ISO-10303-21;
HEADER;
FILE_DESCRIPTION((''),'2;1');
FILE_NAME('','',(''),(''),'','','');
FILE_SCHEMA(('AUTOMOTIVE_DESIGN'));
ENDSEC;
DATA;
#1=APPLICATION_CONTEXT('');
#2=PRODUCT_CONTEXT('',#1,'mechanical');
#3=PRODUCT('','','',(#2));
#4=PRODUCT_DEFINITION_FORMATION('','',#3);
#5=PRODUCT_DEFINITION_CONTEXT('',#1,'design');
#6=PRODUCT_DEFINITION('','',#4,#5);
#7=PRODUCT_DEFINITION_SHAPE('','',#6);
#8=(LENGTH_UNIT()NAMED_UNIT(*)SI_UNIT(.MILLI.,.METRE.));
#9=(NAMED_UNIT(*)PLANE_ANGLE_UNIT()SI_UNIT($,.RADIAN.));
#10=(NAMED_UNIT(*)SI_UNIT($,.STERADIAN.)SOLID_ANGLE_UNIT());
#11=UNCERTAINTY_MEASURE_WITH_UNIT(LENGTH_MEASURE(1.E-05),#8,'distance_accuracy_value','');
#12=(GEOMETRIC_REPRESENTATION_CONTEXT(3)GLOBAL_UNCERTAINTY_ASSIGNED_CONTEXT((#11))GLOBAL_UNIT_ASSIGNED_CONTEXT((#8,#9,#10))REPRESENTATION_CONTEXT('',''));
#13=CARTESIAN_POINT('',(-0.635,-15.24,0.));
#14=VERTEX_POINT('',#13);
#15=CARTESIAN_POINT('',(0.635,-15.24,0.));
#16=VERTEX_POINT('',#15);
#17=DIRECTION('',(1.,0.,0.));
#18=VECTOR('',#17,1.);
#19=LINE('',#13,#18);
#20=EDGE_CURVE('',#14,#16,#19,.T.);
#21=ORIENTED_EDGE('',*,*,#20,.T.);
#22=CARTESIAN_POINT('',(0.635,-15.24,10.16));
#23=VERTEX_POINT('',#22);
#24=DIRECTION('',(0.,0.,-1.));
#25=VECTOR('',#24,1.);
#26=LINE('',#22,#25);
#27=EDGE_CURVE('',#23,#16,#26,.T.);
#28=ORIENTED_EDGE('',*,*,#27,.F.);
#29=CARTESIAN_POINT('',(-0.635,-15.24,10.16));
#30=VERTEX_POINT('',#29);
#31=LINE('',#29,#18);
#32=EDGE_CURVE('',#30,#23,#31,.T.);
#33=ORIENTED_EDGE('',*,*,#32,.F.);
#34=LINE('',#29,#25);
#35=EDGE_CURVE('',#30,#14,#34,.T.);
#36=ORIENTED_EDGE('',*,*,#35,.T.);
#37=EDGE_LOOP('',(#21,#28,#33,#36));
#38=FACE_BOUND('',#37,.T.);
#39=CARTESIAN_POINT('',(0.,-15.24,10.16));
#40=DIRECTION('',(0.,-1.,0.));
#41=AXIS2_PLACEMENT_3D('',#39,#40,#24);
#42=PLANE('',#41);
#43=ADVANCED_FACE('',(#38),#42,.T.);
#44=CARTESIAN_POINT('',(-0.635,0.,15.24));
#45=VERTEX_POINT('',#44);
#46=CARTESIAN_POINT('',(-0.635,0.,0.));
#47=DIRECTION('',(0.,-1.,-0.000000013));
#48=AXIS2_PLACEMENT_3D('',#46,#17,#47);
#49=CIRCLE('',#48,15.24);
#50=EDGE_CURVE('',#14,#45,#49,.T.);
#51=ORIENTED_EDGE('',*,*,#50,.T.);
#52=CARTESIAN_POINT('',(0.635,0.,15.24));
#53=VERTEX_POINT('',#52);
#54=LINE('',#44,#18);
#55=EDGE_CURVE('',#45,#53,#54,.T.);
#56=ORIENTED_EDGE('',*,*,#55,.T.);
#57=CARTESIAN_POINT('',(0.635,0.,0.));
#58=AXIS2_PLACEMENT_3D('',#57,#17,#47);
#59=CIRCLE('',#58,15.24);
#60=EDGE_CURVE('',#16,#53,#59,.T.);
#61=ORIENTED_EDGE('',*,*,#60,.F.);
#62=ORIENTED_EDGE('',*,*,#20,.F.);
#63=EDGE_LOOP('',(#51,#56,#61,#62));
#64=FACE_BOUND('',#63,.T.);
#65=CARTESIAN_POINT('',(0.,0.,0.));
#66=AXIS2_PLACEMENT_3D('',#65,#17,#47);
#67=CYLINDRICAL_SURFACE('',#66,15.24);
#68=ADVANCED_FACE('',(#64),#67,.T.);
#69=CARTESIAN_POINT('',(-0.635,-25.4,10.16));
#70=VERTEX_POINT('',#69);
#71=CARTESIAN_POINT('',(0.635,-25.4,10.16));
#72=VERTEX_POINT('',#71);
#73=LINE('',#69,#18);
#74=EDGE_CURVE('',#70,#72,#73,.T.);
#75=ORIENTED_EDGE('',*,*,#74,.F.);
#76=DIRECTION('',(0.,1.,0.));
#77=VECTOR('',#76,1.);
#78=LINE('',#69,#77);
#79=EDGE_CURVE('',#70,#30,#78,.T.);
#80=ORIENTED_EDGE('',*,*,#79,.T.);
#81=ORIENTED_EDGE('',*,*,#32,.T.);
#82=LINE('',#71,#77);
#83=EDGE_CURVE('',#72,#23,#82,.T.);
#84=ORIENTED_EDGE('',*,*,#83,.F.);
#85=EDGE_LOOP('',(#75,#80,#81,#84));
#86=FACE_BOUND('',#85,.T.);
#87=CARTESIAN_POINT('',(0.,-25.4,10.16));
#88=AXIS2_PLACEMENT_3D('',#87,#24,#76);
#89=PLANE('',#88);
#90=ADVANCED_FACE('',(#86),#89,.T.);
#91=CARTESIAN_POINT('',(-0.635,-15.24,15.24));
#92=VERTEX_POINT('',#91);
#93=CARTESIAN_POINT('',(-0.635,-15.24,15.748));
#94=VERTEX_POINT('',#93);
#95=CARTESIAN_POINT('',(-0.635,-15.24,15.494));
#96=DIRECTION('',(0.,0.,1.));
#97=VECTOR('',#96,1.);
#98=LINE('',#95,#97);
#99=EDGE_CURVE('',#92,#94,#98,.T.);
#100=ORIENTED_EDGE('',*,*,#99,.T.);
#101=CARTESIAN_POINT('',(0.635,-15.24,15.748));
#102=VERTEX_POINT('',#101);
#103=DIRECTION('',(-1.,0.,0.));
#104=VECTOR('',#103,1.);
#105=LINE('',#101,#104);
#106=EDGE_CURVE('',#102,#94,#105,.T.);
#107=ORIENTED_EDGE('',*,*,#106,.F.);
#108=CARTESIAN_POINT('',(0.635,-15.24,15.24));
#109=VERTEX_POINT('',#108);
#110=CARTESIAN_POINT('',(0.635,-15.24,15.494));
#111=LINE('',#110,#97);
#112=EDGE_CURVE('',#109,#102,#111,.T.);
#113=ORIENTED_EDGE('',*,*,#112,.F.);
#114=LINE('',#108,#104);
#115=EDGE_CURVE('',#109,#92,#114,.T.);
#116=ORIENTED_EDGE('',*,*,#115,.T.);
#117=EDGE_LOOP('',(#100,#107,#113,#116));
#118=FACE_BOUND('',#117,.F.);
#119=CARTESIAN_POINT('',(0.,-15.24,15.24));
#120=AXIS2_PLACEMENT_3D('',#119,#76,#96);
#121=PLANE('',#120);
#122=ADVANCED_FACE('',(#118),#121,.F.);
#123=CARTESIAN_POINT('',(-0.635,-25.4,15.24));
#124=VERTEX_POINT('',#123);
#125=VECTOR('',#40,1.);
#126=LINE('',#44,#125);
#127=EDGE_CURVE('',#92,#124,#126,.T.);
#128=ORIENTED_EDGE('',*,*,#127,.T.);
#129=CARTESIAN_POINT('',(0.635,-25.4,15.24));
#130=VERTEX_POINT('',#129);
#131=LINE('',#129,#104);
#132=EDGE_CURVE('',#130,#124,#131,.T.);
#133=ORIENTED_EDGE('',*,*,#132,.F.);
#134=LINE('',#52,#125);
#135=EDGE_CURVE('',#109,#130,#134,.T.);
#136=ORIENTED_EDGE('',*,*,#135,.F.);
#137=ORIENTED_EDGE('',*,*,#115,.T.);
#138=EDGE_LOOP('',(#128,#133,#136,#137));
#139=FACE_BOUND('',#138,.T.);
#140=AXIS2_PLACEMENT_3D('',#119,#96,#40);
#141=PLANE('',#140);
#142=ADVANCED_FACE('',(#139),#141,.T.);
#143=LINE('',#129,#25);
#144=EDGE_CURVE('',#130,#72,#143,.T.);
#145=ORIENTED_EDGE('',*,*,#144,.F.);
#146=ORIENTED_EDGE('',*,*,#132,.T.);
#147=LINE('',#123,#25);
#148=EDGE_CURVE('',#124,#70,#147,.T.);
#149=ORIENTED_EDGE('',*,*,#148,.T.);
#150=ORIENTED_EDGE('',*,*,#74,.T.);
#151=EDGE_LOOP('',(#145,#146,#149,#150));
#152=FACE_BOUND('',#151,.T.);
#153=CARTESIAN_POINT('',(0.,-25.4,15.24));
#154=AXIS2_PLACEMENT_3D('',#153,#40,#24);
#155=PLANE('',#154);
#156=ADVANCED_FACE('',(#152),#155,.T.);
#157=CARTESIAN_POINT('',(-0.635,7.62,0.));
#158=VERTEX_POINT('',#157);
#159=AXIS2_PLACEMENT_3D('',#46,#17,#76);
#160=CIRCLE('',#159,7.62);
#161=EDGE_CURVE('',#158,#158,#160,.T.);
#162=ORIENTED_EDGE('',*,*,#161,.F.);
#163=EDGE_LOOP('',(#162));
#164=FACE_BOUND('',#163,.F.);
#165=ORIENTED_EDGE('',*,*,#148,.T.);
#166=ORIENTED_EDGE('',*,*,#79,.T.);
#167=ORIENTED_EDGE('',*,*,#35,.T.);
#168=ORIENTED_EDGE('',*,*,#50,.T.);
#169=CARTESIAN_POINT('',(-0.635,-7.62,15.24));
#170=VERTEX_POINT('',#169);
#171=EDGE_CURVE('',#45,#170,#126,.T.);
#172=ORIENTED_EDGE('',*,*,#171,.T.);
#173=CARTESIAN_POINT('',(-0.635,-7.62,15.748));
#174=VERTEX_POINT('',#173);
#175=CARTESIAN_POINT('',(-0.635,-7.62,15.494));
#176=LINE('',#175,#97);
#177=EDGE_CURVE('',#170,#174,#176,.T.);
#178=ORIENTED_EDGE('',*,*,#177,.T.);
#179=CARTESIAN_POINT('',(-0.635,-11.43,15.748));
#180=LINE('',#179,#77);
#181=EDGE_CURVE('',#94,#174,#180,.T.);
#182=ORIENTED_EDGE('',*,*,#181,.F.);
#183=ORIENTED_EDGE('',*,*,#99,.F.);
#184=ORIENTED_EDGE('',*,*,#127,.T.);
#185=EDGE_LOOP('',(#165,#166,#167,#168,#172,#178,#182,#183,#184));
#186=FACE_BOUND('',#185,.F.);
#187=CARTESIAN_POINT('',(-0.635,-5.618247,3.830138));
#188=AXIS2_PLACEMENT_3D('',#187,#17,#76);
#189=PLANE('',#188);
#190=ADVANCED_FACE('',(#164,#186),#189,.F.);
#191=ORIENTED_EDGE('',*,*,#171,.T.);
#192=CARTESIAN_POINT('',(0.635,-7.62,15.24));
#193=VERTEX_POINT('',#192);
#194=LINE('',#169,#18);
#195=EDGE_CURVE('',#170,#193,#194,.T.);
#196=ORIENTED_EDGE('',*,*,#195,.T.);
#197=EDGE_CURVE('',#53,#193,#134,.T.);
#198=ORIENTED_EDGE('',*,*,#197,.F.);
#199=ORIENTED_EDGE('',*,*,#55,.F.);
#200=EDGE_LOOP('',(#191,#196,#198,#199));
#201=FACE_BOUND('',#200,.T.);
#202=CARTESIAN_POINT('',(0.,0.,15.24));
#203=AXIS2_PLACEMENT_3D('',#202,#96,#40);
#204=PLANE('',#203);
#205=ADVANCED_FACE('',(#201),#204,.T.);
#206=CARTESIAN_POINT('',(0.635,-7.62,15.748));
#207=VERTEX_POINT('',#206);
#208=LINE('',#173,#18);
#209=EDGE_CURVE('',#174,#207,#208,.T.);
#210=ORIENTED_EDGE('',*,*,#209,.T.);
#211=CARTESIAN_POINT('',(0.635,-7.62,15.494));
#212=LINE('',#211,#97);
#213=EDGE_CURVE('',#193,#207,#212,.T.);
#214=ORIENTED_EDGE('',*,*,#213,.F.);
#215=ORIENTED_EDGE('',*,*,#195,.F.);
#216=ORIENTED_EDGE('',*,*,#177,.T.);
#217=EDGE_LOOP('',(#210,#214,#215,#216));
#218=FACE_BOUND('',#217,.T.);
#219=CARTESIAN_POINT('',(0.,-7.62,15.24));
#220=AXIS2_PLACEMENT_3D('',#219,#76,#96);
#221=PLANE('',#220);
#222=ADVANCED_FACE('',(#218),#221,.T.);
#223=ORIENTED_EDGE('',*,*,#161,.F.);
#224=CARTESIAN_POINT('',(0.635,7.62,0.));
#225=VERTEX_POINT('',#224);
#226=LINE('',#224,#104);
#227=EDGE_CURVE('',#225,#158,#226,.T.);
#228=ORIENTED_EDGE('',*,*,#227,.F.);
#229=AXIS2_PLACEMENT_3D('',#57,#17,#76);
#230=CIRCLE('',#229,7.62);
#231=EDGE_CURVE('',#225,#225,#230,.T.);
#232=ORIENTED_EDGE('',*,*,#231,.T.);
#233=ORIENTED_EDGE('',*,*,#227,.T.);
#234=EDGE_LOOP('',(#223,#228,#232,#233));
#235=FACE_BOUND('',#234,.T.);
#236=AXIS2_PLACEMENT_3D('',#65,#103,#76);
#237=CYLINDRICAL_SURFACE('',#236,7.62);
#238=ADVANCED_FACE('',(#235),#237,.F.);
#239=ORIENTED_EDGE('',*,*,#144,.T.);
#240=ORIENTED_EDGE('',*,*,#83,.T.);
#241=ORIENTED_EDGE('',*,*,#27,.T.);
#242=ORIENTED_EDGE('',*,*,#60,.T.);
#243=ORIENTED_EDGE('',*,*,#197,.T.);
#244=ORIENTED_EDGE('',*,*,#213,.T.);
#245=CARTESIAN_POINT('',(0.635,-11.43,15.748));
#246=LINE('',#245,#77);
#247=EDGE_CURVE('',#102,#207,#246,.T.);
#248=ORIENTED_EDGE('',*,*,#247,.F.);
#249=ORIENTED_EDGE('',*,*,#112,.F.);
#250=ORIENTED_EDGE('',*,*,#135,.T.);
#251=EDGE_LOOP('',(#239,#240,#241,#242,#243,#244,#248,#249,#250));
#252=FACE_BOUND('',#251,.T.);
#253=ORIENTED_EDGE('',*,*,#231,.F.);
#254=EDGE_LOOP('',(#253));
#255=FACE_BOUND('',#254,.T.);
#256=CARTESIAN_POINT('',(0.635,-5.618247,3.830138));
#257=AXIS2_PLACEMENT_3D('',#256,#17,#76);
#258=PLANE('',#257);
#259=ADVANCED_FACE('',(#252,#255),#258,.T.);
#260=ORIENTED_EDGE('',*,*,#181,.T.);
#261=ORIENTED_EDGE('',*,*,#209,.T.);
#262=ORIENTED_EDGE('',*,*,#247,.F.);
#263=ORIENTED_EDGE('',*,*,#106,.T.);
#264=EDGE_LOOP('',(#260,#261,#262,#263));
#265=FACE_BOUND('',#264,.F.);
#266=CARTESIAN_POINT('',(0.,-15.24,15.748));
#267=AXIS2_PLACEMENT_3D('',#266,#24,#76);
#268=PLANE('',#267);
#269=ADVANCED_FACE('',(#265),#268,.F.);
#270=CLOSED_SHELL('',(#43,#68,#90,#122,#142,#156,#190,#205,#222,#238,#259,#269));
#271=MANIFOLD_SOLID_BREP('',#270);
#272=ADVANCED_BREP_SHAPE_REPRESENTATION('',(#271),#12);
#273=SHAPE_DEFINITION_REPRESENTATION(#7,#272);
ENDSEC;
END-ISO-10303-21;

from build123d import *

# Parameters (mm, degrees)
F0_R     = 7.62
F0_W     = 7.62
F0_H     = 0.508
F1_DEPTH = 0.635


with BuildPart() as f1:
    # F0 (on Right) → F1 (new body, symmetric)
    with BuildSketch(Plane.YZ):
        with BuildLine():
            Line((-15.24, 15.24), (-25.4, 15.24))
            Line((-25.4, 15.24), (-25.4, 10.16))
            Line((-25.4, 10.16), (-15.24, 10.16))
            Line((-15.24, 10.16), (-15.24, 0))
            ThreePointArc((-15.24, 0), (10.776307, -10.776307), (0, 15.24))
            Line((0, 15.24), (-7.62, 15.24))
            Line((-7.62, 15.24), (-15.24, 15.24))
        make_face()
        Circle(F0_R, mode=Mode.SUBTRACT)
        with Locations((-11.43, 15.494)):
            Rectangle(F0_W, F0_H)
    extrude(amount=F1_DEPTH, both=True)


solid = f1.part
